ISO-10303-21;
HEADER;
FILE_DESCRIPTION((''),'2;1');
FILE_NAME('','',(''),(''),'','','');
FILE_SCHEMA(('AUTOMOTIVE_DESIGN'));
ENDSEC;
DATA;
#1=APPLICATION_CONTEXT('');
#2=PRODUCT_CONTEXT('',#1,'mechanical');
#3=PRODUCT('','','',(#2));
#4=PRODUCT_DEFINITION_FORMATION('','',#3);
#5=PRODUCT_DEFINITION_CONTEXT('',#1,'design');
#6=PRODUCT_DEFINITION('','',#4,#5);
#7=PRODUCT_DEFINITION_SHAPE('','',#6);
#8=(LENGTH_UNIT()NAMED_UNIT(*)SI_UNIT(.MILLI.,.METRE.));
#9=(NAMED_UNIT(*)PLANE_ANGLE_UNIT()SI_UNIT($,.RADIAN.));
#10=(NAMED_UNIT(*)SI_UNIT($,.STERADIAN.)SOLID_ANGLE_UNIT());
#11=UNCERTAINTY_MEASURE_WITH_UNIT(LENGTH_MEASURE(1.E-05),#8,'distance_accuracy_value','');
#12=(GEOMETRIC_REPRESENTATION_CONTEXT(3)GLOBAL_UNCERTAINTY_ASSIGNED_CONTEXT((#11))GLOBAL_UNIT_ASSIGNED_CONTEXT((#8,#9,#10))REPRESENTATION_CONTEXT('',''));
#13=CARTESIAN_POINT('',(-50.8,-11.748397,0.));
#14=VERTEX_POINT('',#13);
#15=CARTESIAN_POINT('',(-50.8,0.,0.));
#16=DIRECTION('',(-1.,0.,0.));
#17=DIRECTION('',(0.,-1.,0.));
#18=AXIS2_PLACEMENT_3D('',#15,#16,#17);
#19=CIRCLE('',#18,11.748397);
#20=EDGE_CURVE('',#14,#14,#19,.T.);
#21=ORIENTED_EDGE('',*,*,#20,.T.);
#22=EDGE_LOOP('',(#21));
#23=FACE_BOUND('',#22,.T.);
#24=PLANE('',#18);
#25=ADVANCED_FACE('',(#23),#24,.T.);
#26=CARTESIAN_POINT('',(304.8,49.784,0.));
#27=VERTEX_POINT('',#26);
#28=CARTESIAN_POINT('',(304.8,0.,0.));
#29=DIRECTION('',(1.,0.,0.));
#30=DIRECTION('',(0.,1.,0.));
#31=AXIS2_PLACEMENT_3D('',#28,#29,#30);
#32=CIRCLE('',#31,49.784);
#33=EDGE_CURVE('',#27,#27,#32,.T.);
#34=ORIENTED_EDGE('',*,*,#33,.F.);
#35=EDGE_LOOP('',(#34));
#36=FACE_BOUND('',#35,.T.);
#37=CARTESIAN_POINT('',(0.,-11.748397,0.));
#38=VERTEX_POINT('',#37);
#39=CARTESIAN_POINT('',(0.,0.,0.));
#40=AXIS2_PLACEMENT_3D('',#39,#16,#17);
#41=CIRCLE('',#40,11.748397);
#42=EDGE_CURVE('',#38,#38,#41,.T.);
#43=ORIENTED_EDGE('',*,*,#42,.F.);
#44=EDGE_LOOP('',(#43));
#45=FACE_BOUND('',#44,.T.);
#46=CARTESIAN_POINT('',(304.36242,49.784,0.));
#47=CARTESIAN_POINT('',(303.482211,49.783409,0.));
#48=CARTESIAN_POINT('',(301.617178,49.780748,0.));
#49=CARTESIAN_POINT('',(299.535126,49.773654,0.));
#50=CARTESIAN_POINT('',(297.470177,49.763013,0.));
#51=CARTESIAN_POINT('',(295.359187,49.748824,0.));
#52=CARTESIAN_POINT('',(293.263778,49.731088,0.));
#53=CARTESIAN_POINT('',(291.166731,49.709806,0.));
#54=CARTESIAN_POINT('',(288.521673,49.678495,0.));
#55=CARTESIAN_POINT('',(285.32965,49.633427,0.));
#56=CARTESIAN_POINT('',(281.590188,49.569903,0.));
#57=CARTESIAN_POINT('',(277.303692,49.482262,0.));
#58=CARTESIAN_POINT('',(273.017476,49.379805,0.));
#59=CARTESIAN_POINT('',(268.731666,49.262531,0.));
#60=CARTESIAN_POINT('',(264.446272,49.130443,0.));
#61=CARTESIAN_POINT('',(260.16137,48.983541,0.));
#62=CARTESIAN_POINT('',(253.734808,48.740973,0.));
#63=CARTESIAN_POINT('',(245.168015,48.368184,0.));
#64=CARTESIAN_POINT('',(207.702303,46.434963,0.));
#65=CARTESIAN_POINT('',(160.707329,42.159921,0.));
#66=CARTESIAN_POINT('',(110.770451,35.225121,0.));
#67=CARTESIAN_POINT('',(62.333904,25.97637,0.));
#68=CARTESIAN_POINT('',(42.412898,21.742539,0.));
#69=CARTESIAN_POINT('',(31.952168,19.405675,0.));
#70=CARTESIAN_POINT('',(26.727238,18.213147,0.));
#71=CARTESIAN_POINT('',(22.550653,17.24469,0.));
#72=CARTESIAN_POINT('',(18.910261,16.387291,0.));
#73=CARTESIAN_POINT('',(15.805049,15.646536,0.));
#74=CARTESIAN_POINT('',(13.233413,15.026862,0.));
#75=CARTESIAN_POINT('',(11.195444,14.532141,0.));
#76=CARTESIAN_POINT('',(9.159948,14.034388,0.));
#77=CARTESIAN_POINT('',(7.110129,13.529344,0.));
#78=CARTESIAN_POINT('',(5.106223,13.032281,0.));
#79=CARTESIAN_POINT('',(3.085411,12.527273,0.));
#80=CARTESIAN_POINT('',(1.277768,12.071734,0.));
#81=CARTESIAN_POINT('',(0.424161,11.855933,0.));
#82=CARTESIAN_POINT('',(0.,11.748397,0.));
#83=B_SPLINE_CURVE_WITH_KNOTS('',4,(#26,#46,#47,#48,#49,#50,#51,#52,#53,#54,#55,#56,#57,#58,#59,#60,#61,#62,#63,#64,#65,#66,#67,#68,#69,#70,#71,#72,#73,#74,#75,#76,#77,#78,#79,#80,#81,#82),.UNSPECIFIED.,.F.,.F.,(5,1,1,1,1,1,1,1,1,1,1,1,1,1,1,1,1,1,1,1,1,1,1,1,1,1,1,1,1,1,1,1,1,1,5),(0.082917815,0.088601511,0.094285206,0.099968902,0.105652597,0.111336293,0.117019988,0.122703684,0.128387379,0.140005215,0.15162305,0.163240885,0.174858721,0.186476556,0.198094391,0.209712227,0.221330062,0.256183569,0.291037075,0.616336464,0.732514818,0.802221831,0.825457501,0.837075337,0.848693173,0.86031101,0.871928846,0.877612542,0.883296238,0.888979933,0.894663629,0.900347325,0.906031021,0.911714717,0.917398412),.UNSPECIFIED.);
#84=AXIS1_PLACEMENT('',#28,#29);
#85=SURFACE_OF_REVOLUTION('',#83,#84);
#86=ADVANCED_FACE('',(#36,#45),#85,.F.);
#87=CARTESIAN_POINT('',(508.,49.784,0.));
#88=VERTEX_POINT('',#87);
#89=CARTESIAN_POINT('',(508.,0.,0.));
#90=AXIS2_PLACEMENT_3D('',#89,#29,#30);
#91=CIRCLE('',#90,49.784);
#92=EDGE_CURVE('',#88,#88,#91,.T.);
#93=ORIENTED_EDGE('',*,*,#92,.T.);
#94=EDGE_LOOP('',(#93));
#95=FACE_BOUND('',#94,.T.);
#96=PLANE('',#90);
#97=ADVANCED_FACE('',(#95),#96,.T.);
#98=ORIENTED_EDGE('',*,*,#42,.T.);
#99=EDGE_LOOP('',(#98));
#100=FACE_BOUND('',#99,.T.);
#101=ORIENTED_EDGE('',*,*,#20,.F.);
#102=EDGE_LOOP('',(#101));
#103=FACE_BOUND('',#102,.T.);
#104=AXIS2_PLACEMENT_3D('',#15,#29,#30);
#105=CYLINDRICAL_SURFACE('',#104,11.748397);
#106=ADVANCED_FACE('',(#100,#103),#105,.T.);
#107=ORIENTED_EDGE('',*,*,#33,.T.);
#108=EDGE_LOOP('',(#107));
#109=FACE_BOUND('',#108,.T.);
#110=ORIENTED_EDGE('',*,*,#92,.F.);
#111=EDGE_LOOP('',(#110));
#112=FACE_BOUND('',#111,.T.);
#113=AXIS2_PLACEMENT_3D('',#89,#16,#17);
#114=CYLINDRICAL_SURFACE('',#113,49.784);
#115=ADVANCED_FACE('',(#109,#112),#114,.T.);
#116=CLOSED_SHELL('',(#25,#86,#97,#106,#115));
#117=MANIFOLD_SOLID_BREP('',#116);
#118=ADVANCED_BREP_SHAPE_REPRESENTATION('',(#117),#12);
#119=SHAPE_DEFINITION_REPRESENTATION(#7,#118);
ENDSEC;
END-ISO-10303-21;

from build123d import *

# Parameters (mm, degrees)
SKETCH2_R           = 49.784
BOSS_EXTRUDE1_DEPTH = 203.2
SKETCH3_R           = 11.74839717
BOSS_EXTRUDE2_DEPTH = 50.8


with BuildPart() as part:
    # Sketch1 → Revolve1 (revolve)
    with BuildSketch(Plane.XY):
        with BuildLine():
            Line((304.8, 49.784), (304.8, 0))
            Line((304.8, 0), (0, 0))
            Line((0, 0), (0, 11.748397173))
            add(Edge.make_bspline(
                [(0, 11.748397173), (0.424160675, 11.855932678), (1.277768006, 12.07173392), (3.085410505, 12.527272667), (5.106222596, 13.032281093), (7.110128552, 13.529344024), (9.159948224, 14.034387922), (11.195444228, 14.532141119), (13.233412884, 15.026861964), (15.805049223, 15.64653599), (18.91026091, 16.387291474), (22.550652523, 17.244690048), (26.727238439, 18.213147263), (31.952168035, 19.405675489), (42.412897925, 21.742539102), (62.333903875, 25.976370199), (110.770450737, 35.225121195), (160.70732909, 42.159920913), (207.702302928, 46.434962608), (245.168015054, 48.368183749), (253.734807707, 48.740972714), (260.161369668, 48.98354131), (264.446272339, 49.130442523), (268.731666265, 49.262530797), (273.017475857, 49.379804553), (277.303691578, 49.48226239), (281.590188304, 49.569903083), (285.329649653, 49.633426545), (288.521672796, 49.67849525), (291.166731437, 49.70980578), (293.263778354, 49.731088433), (295.359186858, 49.74882407), (297.470177021, 49.76301264), (299.535126271, 49.773654103), (301.617177871, 49.780748429), (303.482211221, 49.783408805), (304.362420109, 49.784), (304.8, 49.784)],
                knots=[0.082917815, 0.082917815, 0.082917815, 0.082917815, 0.082917815, 0.088601511, 0.094285207, 0.099968902, 0.105652598, 0.111336294, 0.11701999, 0.122703686, 0.128387381, 0.140005218, 0.151623054, 0.16324089, 0.174858727, 0.198094396, 0.267801409, 0.383979763, 0.709279153, 0.744132659, 0.778986165, 0.790604, 0.802221836, 0.813839671, 0.825457507, 0.837075342, 0.848693177, 0.860311013, 0.871928848, 0.877612544, 0.883296239, 0.888979935, 0.89466363, 0.900347326, 0.906031021, 0.911714717, 0.917398412, 0.917398412, 0.917398412, 0.917398412, 0.917398412], degree=4))
        make_face()
    revolve(axis=Axis((304.8, 0, 0), (-1, 0, 0)))

    # Sketch2 → Boss-Extrude1 (add)
    with BuildSketch(Plane(origin=(304.8, 0, 0), x_dir=(0, 0, -1), z_dir=(1, 0, 0))):
        Circle(SKETCH2_R)
    extrude(amount=BOSS_EXTRUDE1_DEPTH)

    # Sketch3 → Boss-Extrude2 (add)
    with BuildSketch(Plane.ZY):
        Circle(SKETCH3_R)
    extrude(amount=BOSS_EXTRUDE2_DEPTH)


solid = part.part
